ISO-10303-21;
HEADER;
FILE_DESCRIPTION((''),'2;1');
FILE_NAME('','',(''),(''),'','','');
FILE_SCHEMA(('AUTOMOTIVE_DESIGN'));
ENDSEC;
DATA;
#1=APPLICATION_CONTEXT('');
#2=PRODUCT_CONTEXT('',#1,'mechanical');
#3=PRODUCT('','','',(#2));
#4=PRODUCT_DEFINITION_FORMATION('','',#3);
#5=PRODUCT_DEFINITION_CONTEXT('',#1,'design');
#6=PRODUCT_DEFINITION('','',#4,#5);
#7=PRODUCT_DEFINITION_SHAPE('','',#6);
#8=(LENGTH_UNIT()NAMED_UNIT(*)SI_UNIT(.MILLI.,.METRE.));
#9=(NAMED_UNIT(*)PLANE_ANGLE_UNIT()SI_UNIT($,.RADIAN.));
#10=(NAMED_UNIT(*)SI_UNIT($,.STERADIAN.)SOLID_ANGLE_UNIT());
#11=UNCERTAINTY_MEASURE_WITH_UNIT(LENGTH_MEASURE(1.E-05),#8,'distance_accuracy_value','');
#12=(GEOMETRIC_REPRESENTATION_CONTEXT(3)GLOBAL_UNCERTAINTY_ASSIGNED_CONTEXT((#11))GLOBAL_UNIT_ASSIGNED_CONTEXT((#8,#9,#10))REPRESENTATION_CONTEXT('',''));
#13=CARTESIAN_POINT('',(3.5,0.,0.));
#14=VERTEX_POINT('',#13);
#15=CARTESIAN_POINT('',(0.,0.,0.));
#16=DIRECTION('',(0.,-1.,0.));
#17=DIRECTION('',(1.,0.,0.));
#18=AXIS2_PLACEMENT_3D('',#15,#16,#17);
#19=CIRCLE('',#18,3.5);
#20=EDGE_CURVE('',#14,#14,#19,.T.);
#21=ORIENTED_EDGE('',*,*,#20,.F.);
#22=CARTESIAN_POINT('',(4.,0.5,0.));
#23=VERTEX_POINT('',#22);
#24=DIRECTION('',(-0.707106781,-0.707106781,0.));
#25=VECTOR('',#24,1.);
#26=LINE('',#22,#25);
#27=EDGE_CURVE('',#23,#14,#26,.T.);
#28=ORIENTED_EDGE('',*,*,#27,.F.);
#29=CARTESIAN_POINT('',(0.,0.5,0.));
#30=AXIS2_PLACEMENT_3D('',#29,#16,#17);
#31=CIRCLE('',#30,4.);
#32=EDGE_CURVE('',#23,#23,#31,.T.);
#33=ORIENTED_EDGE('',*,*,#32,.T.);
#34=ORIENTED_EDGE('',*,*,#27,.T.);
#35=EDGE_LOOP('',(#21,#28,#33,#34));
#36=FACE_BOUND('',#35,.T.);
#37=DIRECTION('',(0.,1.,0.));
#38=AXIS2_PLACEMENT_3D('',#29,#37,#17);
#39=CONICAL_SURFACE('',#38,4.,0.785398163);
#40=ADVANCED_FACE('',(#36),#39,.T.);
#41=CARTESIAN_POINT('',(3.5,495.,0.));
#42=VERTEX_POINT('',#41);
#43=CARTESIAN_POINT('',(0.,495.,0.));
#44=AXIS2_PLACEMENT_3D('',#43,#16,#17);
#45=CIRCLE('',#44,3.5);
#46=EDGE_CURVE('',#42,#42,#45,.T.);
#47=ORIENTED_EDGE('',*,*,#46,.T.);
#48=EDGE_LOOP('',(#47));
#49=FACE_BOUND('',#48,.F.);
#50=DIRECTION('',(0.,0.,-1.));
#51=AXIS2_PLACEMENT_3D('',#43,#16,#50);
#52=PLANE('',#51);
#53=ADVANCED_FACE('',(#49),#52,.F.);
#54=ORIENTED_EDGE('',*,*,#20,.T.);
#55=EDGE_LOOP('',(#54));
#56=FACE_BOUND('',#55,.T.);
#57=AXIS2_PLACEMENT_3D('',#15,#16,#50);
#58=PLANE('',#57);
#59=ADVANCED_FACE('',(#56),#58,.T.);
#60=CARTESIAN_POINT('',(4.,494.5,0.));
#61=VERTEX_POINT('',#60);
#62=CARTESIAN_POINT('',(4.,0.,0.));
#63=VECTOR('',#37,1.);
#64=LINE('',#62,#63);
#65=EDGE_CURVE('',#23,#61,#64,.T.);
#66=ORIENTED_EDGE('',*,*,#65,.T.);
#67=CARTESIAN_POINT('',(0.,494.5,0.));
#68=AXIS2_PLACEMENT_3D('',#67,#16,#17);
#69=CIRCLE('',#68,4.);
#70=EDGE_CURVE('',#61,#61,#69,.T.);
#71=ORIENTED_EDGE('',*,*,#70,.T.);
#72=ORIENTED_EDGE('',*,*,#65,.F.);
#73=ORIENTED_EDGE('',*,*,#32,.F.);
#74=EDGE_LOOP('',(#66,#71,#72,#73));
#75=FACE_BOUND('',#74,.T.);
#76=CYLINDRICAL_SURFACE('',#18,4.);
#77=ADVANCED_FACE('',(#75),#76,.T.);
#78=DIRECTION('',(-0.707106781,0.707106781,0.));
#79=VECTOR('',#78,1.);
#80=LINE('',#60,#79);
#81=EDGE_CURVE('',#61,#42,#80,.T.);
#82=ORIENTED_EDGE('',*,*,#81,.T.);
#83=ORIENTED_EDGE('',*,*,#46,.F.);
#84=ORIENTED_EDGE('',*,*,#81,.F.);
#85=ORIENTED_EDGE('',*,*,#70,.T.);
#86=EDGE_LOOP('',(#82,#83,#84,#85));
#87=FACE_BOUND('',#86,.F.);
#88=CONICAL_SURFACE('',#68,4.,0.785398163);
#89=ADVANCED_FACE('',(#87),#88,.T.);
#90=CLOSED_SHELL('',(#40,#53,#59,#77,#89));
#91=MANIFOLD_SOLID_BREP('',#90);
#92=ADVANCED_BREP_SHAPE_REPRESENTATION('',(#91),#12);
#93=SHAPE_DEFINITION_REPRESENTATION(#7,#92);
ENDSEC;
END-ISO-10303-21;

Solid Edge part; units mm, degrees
sketch "Sketch1" plane through (0, 0, 0) normal (0, -1, 0) x (1, 0, 0)
  circle A0 centre (0, 0) radius 4
extrude "Protrusion1" add sketch "Sketch1" against normal blind 495
chamfer "Chamfer_1" distance 0.5 angle 45 2 edges at (-4, 0, 0) (-4, 495, 0)
properties material "Stainless steel"
